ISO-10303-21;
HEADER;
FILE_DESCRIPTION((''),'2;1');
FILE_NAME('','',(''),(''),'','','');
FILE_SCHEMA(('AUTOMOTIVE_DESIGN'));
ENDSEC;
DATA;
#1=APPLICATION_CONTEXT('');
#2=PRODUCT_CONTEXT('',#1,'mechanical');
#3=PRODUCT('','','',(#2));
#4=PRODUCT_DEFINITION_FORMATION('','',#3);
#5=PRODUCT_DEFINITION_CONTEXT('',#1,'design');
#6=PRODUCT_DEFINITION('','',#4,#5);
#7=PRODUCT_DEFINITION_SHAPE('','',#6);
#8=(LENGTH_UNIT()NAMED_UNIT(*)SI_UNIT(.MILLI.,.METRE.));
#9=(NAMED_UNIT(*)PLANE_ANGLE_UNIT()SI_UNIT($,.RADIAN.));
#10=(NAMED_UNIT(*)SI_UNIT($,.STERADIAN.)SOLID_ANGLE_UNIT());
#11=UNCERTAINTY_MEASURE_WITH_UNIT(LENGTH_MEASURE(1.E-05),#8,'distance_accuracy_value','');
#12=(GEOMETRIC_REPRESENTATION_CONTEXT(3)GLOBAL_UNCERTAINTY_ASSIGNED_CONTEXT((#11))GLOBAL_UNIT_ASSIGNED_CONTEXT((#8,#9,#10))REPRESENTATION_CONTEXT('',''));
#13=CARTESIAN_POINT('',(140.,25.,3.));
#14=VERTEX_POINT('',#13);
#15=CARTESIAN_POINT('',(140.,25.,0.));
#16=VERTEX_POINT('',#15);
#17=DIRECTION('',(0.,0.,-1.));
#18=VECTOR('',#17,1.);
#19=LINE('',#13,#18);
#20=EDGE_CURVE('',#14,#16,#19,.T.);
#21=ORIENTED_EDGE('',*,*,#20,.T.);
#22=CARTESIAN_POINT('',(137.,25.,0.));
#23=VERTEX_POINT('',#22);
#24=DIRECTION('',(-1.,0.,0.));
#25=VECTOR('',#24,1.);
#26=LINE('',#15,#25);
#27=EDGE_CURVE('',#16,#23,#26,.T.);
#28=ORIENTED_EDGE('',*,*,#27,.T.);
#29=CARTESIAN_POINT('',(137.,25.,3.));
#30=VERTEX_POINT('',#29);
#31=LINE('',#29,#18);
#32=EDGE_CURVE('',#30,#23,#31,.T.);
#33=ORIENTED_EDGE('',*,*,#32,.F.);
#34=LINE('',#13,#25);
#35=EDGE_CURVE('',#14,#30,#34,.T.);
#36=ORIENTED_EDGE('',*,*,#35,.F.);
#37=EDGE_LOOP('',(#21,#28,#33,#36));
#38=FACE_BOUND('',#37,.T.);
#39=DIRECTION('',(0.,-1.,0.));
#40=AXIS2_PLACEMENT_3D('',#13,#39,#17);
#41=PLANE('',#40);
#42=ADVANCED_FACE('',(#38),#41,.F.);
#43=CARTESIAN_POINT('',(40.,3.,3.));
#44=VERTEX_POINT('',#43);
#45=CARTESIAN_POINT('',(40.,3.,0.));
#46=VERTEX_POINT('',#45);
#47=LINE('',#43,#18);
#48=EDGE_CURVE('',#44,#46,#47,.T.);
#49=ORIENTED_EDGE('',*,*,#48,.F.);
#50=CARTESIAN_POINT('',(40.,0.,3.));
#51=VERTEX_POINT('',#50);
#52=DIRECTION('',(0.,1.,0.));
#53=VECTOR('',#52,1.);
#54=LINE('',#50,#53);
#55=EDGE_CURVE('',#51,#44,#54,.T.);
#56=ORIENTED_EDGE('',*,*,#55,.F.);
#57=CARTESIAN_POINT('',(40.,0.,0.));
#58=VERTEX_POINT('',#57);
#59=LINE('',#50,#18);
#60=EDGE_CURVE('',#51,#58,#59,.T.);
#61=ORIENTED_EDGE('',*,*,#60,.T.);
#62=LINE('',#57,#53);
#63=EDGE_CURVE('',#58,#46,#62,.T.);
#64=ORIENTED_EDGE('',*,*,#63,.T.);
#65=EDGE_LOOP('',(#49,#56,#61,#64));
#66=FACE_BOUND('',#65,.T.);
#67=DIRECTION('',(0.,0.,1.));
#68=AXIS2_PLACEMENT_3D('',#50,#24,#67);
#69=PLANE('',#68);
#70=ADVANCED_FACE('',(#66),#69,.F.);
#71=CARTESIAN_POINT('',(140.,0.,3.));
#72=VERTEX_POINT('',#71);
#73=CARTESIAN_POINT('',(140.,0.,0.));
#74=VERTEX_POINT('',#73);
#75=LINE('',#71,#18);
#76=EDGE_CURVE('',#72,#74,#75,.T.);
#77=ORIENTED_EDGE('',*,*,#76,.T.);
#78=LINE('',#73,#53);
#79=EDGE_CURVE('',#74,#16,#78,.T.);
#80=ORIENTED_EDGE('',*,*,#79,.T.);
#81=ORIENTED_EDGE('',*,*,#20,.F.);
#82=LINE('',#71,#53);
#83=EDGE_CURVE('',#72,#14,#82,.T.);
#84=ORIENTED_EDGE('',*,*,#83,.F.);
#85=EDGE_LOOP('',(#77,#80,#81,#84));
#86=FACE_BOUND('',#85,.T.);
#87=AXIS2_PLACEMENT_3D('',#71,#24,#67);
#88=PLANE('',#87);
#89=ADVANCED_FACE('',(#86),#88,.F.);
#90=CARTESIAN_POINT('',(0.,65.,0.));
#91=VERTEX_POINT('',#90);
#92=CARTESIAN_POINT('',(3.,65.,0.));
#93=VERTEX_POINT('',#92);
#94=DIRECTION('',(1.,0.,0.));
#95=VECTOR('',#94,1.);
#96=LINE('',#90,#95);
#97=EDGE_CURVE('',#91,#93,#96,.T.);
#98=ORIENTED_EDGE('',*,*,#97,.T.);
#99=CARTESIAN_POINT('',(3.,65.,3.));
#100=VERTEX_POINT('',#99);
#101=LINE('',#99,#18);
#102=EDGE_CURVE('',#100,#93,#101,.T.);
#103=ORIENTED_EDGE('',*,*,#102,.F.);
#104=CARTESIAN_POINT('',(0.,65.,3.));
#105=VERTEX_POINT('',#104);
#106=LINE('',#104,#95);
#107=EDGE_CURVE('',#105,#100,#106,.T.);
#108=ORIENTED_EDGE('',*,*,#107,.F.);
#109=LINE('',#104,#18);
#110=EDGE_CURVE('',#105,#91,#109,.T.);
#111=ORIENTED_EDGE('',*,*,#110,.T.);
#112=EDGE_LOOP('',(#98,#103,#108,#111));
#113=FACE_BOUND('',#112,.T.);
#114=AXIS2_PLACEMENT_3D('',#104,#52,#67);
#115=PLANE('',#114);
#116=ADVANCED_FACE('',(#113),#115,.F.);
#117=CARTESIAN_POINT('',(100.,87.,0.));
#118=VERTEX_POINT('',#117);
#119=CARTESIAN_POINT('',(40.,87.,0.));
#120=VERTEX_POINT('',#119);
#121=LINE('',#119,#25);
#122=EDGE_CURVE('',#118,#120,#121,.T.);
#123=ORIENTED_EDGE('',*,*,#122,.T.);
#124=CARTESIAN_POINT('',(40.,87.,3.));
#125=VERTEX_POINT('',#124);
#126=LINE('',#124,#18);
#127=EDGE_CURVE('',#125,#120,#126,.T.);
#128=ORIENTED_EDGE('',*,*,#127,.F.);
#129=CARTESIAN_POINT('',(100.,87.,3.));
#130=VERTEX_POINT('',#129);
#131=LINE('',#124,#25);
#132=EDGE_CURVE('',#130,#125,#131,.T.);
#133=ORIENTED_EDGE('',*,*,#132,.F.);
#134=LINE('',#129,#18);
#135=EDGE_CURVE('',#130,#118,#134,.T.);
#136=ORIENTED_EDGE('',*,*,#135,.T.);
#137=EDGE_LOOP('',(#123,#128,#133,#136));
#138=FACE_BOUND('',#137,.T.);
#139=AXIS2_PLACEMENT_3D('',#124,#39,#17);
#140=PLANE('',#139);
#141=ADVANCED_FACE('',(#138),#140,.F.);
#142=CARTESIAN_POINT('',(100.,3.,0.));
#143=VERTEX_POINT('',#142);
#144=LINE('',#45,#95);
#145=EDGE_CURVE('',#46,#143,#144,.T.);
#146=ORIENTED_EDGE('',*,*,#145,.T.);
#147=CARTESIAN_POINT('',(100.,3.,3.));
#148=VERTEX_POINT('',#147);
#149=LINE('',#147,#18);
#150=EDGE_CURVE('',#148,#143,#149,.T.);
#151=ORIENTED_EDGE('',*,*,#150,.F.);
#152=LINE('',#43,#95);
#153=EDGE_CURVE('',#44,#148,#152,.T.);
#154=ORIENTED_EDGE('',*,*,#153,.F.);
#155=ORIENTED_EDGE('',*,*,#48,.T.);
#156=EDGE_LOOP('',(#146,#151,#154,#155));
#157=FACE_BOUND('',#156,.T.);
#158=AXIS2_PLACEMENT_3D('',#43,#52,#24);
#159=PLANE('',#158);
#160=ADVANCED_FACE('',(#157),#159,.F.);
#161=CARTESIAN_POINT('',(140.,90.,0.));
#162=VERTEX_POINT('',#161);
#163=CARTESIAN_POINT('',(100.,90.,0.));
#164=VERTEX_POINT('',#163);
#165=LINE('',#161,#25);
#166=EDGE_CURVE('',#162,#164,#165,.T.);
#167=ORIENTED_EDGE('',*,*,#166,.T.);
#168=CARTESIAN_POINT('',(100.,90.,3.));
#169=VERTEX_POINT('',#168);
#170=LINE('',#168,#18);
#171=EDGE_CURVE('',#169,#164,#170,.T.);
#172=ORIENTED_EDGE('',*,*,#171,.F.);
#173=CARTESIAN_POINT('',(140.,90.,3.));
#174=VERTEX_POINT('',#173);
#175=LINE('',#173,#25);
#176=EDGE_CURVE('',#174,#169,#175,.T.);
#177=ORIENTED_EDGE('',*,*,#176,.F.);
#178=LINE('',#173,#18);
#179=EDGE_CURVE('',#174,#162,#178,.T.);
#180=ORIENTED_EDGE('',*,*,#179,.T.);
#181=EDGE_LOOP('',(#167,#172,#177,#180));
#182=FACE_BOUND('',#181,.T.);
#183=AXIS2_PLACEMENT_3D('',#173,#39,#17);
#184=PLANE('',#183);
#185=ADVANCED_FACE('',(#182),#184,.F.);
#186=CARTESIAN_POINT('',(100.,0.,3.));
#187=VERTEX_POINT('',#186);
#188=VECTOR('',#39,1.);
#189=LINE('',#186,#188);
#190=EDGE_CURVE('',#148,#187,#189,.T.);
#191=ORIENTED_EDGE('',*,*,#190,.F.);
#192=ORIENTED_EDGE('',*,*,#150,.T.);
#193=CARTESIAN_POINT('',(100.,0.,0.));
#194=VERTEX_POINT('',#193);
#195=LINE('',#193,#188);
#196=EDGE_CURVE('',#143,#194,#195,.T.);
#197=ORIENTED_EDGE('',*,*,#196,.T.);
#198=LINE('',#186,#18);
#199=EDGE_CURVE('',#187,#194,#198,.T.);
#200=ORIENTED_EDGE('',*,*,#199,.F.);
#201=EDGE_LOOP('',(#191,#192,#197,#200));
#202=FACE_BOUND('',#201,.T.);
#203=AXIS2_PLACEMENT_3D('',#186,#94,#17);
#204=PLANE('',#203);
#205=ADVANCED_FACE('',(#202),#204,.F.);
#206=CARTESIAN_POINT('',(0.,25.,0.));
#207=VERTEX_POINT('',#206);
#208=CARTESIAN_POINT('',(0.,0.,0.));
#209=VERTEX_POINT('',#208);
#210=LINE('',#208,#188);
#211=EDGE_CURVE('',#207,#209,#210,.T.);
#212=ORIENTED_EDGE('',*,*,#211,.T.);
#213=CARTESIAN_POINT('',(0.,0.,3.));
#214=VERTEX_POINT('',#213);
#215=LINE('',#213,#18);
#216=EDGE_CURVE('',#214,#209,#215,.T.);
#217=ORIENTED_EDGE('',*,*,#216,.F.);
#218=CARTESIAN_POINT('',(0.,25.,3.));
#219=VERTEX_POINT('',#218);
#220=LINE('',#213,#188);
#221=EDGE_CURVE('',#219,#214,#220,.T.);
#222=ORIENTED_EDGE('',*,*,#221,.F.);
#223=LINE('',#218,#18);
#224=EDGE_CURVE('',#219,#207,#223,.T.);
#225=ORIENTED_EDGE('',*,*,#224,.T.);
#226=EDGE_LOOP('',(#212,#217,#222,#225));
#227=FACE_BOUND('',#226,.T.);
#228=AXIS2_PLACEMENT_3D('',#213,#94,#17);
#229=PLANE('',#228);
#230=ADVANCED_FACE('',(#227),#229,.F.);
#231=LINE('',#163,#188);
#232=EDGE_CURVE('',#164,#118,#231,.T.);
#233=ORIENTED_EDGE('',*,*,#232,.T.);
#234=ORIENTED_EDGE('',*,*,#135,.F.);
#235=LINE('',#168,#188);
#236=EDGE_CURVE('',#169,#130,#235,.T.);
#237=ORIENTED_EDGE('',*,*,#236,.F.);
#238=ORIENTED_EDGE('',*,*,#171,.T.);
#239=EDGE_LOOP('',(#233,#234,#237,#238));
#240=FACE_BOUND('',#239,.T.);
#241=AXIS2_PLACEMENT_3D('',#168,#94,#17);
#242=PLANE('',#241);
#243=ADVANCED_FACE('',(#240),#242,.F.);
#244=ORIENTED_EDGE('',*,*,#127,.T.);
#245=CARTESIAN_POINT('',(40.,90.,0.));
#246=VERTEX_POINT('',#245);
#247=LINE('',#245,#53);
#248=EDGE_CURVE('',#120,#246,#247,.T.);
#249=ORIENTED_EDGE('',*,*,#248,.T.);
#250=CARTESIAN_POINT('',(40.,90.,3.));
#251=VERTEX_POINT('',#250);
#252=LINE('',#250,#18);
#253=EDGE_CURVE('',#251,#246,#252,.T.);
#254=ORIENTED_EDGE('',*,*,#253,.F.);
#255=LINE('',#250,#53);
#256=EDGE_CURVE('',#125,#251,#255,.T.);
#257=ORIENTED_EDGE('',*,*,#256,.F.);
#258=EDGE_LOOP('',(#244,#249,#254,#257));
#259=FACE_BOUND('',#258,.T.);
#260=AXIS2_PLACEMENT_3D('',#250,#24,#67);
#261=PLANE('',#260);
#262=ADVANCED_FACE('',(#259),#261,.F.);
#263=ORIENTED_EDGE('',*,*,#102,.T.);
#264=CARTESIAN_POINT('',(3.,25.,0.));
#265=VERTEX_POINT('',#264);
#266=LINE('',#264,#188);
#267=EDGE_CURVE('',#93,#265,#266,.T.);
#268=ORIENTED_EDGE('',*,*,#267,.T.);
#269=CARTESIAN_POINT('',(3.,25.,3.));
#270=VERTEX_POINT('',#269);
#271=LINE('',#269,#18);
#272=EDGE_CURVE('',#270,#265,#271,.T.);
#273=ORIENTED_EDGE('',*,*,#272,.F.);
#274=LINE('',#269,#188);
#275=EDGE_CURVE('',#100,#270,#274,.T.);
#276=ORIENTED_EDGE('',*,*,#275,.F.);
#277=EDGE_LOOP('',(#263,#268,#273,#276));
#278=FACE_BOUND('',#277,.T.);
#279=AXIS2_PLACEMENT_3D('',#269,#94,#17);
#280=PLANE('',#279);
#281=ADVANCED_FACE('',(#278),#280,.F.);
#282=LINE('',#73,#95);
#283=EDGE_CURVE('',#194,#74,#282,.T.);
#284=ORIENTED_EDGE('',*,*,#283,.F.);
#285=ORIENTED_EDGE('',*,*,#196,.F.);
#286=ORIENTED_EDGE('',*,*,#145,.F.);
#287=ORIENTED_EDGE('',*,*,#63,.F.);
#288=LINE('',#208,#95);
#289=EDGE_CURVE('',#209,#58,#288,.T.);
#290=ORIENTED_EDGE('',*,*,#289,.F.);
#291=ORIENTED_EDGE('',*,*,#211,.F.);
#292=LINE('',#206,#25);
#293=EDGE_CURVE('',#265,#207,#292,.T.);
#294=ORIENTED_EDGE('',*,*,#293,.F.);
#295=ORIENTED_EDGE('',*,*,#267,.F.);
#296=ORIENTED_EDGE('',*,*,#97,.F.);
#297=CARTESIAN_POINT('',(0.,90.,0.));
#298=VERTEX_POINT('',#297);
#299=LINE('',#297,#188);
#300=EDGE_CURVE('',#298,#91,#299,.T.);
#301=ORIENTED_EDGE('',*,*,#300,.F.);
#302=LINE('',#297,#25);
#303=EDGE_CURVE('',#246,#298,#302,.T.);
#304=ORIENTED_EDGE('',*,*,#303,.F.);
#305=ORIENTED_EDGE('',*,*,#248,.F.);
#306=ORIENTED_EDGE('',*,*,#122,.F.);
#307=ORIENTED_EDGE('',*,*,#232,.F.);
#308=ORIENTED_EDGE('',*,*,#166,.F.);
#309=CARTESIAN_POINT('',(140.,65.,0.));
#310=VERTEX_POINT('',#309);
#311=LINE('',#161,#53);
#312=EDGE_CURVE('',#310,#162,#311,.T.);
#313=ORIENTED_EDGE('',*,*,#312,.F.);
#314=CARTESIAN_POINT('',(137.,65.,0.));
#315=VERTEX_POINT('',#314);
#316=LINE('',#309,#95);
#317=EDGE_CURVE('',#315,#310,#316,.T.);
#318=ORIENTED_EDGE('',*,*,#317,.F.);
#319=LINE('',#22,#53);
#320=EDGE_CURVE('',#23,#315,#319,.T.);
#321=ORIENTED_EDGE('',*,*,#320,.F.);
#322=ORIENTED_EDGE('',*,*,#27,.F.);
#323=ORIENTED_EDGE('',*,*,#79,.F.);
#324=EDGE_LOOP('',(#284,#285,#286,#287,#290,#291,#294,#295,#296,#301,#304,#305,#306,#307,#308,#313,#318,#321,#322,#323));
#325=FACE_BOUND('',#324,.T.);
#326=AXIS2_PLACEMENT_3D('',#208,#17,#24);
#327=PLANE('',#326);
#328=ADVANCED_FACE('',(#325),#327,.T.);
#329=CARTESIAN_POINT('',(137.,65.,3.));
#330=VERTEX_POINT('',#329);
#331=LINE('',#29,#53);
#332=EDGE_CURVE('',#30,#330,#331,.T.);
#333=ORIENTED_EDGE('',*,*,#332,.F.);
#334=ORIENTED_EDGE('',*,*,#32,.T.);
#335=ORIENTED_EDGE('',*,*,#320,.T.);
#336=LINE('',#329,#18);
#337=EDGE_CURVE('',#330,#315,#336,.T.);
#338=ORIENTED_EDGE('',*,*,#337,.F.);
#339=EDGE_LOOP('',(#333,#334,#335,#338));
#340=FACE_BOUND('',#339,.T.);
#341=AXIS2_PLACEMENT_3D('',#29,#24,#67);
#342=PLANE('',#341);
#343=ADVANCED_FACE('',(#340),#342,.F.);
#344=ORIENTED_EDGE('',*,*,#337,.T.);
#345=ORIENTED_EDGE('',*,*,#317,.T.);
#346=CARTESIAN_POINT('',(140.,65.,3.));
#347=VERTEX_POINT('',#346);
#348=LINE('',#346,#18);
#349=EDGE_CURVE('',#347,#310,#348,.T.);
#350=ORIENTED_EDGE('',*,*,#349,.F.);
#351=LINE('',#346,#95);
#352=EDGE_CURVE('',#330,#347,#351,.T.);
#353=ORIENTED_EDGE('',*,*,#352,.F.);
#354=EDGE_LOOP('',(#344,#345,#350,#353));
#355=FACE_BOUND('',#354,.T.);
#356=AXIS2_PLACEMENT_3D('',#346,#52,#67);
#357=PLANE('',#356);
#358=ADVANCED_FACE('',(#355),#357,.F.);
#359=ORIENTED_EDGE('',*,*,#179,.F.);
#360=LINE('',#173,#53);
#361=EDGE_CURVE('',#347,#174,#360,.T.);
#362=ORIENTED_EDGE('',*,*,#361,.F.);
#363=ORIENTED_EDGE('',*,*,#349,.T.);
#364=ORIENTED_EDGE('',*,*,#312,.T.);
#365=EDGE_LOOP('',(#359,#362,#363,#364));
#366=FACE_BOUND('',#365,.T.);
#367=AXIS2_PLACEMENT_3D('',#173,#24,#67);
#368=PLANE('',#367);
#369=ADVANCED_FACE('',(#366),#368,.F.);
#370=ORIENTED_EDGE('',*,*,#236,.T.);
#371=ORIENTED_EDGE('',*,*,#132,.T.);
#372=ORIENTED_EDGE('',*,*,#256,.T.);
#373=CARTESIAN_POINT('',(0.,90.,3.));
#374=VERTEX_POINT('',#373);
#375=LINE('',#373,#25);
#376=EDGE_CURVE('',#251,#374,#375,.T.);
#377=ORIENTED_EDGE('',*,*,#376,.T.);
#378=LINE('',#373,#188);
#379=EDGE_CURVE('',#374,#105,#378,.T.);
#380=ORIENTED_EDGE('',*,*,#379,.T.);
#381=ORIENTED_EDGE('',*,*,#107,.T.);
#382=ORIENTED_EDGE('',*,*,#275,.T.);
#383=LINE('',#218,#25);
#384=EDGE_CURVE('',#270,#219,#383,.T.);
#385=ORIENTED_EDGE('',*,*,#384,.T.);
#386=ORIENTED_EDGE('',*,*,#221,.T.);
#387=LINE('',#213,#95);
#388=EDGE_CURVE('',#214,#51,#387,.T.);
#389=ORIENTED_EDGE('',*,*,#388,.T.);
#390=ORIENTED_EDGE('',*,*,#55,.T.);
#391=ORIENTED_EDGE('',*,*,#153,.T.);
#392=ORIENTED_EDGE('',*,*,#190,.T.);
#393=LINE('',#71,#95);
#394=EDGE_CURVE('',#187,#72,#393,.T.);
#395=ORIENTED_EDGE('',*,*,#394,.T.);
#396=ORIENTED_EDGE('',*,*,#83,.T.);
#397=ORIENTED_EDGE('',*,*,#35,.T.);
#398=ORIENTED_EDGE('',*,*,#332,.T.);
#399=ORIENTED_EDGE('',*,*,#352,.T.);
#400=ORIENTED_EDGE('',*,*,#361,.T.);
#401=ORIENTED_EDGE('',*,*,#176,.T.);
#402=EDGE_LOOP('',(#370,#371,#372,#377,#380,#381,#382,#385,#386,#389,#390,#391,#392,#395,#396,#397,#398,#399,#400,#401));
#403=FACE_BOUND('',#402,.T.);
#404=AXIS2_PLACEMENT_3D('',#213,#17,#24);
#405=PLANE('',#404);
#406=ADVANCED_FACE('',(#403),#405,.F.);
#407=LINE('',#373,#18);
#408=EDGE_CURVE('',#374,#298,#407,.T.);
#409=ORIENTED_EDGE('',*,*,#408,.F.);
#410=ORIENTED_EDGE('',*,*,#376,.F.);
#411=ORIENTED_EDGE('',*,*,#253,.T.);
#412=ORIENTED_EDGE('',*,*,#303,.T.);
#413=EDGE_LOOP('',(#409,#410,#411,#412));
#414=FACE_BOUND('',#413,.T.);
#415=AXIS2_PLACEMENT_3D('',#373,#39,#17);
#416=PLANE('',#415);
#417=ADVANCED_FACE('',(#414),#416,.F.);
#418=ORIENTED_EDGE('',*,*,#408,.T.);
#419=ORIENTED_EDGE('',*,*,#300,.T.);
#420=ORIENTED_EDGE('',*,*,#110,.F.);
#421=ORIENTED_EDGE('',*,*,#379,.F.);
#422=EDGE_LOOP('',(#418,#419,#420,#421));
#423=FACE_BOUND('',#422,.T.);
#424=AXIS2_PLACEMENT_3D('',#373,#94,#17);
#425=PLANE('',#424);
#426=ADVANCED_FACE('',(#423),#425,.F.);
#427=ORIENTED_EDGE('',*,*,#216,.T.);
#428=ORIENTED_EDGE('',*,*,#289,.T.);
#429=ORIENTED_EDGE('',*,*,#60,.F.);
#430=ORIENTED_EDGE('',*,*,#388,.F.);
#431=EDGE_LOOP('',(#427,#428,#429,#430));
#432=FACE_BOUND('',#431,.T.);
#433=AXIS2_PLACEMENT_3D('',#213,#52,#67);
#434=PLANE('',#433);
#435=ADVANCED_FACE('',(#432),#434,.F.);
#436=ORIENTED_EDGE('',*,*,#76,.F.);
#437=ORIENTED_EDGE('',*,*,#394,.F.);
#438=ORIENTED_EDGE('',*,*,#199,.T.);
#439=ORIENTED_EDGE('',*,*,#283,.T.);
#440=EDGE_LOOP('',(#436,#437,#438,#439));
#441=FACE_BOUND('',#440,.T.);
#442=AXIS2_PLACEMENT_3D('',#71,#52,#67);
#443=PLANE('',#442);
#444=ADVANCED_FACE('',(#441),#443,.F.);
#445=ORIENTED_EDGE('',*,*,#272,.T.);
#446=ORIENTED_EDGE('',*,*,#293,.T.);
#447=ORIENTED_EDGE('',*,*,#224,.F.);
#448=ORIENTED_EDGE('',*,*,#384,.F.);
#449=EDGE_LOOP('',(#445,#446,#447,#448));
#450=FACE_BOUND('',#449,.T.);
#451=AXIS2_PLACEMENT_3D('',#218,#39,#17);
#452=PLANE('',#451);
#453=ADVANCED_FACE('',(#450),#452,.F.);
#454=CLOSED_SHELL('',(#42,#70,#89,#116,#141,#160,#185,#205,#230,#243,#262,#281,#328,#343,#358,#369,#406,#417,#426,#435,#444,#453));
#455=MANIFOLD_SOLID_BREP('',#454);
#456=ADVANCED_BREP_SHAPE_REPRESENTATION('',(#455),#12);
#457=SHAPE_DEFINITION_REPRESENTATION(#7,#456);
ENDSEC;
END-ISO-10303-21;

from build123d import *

# Parameters (mm, degrees)
EXTRUDE_1_DEPTH = 3


with BuildPart() as part:
    # Эскиз1 → Бобышка-Вытянуть1 (new body)
    with BuildSketch(Plane.XY):
        Polygon((0, 0), (40, 0), (40, 3), (100, 3), (100, 0), (140, 0), (140, 25), (137, 25), (137, 65), (140, 65), (140, 90), (100, 90), (100, 87), (40, 87), (40, 90), (0, 90), (0, 65), (3, 65), (3, 25), (0, 25), align=None)
    extrude(amount=EXTRUDE_1_DEPTH)


solid = part.part
